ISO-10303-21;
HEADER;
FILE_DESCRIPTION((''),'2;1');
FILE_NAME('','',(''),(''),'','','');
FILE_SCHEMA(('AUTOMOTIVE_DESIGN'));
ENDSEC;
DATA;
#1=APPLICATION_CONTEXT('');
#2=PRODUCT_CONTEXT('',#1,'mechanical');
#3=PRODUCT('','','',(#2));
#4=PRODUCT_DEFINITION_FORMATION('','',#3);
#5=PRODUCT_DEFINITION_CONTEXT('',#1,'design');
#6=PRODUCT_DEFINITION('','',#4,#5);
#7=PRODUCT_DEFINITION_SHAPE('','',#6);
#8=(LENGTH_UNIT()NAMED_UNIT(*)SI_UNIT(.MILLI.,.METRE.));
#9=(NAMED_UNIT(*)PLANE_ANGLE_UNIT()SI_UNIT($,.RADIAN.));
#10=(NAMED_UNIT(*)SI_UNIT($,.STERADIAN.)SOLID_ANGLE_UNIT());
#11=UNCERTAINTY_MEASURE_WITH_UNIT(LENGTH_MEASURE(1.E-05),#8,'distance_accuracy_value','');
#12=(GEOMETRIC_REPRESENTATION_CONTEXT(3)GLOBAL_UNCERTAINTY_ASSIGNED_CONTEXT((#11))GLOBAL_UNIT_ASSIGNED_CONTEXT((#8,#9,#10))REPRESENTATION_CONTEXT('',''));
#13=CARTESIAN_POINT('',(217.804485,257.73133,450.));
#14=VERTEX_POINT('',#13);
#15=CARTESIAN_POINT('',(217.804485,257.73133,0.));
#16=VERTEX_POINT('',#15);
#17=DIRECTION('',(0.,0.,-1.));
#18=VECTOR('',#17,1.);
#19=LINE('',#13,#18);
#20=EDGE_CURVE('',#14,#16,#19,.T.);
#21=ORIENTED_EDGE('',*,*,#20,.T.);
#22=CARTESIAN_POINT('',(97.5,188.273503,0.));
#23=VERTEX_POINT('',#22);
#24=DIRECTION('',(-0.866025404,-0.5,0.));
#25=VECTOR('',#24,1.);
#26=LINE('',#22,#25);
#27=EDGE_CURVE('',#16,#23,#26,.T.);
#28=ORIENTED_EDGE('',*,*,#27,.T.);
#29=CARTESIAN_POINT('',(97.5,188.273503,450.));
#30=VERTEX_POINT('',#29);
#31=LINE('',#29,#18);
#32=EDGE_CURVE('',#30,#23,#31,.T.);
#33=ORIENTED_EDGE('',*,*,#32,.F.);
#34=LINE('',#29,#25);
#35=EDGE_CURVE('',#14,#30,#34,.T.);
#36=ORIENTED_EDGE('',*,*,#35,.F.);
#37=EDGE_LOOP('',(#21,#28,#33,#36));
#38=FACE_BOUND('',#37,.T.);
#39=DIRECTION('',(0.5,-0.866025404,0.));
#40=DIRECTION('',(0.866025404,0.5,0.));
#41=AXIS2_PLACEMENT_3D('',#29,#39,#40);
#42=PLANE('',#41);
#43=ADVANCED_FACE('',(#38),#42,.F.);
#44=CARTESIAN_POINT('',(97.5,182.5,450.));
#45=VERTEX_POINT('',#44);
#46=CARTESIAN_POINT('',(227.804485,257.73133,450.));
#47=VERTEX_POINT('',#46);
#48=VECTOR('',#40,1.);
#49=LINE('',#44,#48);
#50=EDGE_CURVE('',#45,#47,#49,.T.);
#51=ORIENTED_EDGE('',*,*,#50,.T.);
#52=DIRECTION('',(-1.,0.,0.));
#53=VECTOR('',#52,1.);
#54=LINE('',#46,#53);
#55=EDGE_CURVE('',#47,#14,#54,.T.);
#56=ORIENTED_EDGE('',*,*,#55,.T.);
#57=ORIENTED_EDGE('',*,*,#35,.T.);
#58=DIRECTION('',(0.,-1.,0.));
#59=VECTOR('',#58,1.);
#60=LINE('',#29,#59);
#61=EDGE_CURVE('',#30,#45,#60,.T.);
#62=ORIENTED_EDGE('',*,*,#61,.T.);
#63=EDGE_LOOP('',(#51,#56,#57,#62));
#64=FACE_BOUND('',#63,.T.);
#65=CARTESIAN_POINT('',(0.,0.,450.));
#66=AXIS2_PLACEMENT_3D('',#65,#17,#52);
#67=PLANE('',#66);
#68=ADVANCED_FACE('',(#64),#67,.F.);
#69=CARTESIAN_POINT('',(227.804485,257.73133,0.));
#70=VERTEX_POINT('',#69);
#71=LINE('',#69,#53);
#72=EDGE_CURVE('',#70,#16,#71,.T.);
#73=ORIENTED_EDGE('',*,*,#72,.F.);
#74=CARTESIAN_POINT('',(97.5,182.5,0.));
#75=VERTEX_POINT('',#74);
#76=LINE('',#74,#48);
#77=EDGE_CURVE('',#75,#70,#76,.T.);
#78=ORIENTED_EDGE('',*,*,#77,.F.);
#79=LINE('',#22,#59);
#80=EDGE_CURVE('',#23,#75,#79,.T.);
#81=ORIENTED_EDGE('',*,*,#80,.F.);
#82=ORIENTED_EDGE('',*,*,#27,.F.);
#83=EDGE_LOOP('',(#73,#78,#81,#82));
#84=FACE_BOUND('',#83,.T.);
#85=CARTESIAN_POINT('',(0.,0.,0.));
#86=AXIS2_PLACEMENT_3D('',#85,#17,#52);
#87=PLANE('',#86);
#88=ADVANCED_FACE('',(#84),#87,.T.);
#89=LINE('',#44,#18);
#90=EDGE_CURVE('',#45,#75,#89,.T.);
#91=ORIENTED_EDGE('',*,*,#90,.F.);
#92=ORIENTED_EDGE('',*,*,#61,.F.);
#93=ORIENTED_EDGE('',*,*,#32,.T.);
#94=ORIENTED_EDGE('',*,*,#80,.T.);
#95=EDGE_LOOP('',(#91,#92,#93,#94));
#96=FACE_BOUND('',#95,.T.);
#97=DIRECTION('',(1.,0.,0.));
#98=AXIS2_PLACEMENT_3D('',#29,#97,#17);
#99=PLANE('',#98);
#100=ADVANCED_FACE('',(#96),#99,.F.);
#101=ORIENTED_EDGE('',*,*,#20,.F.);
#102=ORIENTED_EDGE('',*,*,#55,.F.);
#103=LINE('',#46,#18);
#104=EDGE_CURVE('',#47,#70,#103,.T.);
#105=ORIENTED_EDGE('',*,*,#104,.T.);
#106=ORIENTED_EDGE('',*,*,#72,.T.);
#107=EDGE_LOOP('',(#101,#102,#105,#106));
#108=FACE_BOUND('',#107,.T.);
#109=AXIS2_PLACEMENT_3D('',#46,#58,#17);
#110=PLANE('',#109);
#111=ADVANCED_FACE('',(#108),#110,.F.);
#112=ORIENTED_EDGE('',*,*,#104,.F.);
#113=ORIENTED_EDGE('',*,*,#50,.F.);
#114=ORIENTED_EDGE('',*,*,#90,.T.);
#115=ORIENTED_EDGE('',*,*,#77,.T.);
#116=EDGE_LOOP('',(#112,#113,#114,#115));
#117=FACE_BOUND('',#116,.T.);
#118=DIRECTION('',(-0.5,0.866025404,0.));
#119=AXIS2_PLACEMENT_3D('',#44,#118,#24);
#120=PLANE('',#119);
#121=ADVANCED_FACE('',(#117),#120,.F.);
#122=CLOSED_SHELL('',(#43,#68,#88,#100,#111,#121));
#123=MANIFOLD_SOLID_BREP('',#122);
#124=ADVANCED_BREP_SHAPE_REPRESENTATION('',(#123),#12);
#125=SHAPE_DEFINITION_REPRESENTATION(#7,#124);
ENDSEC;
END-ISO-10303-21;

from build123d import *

# Parameters (mm, degrees)
AUFSATZ_LINEAR_AUSTRAGEN1_DEPTH = 450


with BuildPart() as part:
    # Skizze1 → Aufsatz-Linear austragen1 (new body)
    with BuildSketch(Plane.XY):
        Polygon((227.804485184, 257.731329598), (217.804485184, 257.731329598), (97.5, 188.273502692), (97.5, 182.5), align=None)
    extrude(amount=AUFSATZ_LINEAR_AUSTRAGEN1_DEPTH)


solid = part.part
